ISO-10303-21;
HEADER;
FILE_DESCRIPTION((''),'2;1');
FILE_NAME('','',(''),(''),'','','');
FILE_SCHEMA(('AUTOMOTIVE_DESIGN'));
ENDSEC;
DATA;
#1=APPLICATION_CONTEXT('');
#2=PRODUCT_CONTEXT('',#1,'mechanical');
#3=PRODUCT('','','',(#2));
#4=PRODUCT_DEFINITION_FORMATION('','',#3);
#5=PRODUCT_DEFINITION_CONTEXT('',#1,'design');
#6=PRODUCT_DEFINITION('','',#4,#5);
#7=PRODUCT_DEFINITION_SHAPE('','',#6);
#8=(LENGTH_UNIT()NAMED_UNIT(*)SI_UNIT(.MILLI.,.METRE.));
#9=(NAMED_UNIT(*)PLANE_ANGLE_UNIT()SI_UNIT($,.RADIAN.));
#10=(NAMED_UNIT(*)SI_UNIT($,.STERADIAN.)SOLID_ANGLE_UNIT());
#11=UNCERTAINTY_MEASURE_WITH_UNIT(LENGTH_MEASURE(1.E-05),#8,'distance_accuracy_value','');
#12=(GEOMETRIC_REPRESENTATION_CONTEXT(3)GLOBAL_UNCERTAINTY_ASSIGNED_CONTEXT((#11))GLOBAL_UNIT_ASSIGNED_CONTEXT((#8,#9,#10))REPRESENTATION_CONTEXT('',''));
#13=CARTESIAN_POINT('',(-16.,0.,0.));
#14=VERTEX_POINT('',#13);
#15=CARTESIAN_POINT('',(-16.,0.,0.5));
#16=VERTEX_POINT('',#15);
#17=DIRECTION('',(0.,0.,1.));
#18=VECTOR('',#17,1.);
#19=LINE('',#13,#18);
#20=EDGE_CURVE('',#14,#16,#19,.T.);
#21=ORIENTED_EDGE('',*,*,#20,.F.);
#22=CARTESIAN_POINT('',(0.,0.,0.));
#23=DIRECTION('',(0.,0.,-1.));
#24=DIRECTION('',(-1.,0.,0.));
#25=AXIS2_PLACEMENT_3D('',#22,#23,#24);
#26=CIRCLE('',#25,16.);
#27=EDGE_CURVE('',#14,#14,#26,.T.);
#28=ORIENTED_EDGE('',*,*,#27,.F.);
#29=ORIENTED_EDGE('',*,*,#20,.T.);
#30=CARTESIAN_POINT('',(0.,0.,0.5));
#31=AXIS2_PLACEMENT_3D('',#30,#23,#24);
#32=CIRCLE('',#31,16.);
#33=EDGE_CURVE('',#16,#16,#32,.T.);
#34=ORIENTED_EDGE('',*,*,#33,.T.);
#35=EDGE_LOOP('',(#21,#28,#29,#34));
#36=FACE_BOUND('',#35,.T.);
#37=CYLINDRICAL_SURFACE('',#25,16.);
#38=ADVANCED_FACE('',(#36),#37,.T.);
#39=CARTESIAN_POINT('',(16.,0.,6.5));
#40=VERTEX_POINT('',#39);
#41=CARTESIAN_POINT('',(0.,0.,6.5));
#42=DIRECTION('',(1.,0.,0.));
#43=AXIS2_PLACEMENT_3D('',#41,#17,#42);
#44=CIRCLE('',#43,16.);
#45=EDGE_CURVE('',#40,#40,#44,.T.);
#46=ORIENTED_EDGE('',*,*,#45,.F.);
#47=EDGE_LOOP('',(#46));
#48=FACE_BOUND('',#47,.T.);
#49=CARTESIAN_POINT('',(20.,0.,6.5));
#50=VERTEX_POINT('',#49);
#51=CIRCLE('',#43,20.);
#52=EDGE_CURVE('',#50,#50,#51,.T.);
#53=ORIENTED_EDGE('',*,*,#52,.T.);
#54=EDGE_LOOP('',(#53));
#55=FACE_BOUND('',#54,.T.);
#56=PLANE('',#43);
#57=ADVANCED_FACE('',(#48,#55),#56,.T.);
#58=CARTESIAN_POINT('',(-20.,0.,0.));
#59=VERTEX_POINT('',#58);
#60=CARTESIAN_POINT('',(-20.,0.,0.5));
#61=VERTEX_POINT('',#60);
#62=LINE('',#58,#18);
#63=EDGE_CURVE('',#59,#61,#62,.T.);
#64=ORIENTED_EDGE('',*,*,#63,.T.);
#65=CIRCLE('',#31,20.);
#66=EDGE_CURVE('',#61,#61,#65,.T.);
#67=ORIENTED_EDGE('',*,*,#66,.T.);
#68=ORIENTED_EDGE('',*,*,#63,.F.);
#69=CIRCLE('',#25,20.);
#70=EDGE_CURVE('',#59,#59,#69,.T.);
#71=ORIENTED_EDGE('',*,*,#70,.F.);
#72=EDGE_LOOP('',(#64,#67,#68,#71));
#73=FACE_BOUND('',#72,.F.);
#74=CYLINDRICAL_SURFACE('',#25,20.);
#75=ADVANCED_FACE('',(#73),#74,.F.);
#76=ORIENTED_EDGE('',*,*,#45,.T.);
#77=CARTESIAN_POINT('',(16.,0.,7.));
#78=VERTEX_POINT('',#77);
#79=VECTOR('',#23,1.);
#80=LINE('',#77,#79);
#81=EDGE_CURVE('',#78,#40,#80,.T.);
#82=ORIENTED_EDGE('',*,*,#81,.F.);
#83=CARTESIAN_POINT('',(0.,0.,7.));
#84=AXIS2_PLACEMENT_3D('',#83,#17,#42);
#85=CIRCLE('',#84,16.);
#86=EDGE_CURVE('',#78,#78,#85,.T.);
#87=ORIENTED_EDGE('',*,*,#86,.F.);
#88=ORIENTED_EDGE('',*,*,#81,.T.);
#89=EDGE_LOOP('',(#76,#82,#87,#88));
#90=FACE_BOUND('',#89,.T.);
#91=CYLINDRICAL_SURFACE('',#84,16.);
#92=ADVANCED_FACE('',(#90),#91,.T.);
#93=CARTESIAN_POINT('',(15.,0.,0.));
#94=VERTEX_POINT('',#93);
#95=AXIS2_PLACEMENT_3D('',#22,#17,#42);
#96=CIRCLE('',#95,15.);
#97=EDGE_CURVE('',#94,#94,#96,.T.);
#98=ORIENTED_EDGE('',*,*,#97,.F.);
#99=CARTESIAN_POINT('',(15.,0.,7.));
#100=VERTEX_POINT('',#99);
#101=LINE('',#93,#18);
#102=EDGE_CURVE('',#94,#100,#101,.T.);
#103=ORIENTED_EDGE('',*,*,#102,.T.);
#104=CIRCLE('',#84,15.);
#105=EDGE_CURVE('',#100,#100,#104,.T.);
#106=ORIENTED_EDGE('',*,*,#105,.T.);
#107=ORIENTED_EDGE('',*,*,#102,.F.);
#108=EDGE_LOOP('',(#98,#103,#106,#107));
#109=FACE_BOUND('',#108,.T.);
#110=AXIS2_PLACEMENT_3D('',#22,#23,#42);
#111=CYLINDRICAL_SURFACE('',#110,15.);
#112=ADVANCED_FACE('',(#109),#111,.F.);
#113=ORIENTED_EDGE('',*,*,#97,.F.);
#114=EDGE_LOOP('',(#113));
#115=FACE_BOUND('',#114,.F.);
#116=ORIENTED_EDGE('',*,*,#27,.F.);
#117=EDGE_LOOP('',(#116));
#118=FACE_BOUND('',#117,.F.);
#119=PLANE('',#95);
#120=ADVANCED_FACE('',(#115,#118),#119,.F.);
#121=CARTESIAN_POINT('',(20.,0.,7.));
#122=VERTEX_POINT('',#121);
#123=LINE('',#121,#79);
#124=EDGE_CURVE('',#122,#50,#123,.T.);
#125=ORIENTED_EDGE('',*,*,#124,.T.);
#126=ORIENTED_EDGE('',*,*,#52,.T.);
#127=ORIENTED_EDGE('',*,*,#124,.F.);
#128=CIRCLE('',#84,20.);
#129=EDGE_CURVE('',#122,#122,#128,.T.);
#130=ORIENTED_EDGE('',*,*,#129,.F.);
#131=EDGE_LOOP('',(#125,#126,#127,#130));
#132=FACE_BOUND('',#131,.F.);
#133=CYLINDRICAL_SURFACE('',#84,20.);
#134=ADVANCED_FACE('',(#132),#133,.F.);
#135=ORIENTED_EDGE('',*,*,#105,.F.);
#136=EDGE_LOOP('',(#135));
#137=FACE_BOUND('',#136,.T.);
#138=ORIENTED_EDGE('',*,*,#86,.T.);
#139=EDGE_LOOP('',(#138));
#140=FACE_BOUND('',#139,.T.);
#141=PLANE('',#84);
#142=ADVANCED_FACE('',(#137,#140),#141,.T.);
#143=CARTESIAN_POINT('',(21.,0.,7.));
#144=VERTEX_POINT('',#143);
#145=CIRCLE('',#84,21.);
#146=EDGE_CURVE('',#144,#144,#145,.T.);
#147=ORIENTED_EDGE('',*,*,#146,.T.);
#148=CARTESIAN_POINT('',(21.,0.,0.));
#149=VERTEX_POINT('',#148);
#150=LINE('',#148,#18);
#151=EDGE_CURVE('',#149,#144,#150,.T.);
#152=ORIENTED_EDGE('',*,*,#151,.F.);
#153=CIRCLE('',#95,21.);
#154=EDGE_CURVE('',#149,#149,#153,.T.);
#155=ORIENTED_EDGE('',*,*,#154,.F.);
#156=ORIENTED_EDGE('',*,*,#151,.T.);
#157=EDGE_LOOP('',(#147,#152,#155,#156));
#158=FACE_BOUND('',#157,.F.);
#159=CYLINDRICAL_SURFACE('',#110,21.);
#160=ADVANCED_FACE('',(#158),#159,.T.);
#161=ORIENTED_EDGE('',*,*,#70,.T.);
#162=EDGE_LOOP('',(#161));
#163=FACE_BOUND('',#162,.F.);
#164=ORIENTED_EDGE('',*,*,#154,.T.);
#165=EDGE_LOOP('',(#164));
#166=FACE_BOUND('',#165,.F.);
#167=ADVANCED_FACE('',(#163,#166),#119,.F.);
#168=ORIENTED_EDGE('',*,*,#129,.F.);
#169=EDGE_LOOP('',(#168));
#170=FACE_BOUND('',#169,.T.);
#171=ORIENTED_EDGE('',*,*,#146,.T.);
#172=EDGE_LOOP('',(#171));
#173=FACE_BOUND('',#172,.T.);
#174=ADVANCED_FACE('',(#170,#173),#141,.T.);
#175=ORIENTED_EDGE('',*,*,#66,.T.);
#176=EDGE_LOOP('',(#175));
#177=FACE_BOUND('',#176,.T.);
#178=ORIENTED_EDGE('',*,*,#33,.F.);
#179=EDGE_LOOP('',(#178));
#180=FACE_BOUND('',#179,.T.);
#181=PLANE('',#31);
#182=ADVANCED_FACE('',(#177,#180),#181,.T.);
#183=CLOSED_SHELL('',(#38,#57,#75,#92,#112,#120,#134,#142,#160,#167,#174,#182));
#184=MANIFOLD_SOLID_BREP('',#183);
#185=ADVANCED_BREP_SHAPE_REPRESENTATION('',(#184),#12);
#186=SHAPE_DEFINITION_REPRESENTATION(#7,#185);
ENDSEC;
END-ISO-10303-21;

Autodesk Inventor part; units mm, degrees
ref_plane "YZ Plane" through (0, 0, 0) normal (1, 0, 0) x (0, 1, 0)
ref_plane "XZ Plane" through (0, 0, 0) normal (0, 1, 0) x (-1, 0, 0)
ref_plane "XY Plane" through (0, 0, 0) normal (0, 0, 1) x (1, 0, 0)
sketch "Sketch1" plane through (0, 0, 0) normal (0, 0, 1) x (1, 0, 0)
  circle A0 centre (0, 0) radius 21
  circle A1 centre (0, 0) radius 15
  dimension "d0" = 42
  dimension "d1" = 30
extrude "Extrusion1" add sketch "Sketch1" along normal blind 7
sketch "Sketch2" plane through (0, 0, 7) normal (0, 0, 1) x (1, 0, 0)
  circle A0 centre (0, 0) radius 21 projected
  circle A1 centre (0, 0) radius 15 projected
  circle A2 centre (0, 0) radius 20
  circle A3 centre (0, 0) radius 16
  dimension "d4" = 1
  dimension "d5" = 1
extrude "Extrusion2" cut sketch "Sketch2" against normal blind 0.5 contours A2
sketch "Sketch3" plane through (0, 0, 0) normal (0, 0, -1) x (-1, 0, 0)
  circle A0 centre (0, 0) radius 20 projected
  circle A1 centre (0, 0) radius 16 projected
extrude "Extrusion3" cut sketch "Sketch3" against normal blind 0.5
properties part number "bearing_42x30x7"
